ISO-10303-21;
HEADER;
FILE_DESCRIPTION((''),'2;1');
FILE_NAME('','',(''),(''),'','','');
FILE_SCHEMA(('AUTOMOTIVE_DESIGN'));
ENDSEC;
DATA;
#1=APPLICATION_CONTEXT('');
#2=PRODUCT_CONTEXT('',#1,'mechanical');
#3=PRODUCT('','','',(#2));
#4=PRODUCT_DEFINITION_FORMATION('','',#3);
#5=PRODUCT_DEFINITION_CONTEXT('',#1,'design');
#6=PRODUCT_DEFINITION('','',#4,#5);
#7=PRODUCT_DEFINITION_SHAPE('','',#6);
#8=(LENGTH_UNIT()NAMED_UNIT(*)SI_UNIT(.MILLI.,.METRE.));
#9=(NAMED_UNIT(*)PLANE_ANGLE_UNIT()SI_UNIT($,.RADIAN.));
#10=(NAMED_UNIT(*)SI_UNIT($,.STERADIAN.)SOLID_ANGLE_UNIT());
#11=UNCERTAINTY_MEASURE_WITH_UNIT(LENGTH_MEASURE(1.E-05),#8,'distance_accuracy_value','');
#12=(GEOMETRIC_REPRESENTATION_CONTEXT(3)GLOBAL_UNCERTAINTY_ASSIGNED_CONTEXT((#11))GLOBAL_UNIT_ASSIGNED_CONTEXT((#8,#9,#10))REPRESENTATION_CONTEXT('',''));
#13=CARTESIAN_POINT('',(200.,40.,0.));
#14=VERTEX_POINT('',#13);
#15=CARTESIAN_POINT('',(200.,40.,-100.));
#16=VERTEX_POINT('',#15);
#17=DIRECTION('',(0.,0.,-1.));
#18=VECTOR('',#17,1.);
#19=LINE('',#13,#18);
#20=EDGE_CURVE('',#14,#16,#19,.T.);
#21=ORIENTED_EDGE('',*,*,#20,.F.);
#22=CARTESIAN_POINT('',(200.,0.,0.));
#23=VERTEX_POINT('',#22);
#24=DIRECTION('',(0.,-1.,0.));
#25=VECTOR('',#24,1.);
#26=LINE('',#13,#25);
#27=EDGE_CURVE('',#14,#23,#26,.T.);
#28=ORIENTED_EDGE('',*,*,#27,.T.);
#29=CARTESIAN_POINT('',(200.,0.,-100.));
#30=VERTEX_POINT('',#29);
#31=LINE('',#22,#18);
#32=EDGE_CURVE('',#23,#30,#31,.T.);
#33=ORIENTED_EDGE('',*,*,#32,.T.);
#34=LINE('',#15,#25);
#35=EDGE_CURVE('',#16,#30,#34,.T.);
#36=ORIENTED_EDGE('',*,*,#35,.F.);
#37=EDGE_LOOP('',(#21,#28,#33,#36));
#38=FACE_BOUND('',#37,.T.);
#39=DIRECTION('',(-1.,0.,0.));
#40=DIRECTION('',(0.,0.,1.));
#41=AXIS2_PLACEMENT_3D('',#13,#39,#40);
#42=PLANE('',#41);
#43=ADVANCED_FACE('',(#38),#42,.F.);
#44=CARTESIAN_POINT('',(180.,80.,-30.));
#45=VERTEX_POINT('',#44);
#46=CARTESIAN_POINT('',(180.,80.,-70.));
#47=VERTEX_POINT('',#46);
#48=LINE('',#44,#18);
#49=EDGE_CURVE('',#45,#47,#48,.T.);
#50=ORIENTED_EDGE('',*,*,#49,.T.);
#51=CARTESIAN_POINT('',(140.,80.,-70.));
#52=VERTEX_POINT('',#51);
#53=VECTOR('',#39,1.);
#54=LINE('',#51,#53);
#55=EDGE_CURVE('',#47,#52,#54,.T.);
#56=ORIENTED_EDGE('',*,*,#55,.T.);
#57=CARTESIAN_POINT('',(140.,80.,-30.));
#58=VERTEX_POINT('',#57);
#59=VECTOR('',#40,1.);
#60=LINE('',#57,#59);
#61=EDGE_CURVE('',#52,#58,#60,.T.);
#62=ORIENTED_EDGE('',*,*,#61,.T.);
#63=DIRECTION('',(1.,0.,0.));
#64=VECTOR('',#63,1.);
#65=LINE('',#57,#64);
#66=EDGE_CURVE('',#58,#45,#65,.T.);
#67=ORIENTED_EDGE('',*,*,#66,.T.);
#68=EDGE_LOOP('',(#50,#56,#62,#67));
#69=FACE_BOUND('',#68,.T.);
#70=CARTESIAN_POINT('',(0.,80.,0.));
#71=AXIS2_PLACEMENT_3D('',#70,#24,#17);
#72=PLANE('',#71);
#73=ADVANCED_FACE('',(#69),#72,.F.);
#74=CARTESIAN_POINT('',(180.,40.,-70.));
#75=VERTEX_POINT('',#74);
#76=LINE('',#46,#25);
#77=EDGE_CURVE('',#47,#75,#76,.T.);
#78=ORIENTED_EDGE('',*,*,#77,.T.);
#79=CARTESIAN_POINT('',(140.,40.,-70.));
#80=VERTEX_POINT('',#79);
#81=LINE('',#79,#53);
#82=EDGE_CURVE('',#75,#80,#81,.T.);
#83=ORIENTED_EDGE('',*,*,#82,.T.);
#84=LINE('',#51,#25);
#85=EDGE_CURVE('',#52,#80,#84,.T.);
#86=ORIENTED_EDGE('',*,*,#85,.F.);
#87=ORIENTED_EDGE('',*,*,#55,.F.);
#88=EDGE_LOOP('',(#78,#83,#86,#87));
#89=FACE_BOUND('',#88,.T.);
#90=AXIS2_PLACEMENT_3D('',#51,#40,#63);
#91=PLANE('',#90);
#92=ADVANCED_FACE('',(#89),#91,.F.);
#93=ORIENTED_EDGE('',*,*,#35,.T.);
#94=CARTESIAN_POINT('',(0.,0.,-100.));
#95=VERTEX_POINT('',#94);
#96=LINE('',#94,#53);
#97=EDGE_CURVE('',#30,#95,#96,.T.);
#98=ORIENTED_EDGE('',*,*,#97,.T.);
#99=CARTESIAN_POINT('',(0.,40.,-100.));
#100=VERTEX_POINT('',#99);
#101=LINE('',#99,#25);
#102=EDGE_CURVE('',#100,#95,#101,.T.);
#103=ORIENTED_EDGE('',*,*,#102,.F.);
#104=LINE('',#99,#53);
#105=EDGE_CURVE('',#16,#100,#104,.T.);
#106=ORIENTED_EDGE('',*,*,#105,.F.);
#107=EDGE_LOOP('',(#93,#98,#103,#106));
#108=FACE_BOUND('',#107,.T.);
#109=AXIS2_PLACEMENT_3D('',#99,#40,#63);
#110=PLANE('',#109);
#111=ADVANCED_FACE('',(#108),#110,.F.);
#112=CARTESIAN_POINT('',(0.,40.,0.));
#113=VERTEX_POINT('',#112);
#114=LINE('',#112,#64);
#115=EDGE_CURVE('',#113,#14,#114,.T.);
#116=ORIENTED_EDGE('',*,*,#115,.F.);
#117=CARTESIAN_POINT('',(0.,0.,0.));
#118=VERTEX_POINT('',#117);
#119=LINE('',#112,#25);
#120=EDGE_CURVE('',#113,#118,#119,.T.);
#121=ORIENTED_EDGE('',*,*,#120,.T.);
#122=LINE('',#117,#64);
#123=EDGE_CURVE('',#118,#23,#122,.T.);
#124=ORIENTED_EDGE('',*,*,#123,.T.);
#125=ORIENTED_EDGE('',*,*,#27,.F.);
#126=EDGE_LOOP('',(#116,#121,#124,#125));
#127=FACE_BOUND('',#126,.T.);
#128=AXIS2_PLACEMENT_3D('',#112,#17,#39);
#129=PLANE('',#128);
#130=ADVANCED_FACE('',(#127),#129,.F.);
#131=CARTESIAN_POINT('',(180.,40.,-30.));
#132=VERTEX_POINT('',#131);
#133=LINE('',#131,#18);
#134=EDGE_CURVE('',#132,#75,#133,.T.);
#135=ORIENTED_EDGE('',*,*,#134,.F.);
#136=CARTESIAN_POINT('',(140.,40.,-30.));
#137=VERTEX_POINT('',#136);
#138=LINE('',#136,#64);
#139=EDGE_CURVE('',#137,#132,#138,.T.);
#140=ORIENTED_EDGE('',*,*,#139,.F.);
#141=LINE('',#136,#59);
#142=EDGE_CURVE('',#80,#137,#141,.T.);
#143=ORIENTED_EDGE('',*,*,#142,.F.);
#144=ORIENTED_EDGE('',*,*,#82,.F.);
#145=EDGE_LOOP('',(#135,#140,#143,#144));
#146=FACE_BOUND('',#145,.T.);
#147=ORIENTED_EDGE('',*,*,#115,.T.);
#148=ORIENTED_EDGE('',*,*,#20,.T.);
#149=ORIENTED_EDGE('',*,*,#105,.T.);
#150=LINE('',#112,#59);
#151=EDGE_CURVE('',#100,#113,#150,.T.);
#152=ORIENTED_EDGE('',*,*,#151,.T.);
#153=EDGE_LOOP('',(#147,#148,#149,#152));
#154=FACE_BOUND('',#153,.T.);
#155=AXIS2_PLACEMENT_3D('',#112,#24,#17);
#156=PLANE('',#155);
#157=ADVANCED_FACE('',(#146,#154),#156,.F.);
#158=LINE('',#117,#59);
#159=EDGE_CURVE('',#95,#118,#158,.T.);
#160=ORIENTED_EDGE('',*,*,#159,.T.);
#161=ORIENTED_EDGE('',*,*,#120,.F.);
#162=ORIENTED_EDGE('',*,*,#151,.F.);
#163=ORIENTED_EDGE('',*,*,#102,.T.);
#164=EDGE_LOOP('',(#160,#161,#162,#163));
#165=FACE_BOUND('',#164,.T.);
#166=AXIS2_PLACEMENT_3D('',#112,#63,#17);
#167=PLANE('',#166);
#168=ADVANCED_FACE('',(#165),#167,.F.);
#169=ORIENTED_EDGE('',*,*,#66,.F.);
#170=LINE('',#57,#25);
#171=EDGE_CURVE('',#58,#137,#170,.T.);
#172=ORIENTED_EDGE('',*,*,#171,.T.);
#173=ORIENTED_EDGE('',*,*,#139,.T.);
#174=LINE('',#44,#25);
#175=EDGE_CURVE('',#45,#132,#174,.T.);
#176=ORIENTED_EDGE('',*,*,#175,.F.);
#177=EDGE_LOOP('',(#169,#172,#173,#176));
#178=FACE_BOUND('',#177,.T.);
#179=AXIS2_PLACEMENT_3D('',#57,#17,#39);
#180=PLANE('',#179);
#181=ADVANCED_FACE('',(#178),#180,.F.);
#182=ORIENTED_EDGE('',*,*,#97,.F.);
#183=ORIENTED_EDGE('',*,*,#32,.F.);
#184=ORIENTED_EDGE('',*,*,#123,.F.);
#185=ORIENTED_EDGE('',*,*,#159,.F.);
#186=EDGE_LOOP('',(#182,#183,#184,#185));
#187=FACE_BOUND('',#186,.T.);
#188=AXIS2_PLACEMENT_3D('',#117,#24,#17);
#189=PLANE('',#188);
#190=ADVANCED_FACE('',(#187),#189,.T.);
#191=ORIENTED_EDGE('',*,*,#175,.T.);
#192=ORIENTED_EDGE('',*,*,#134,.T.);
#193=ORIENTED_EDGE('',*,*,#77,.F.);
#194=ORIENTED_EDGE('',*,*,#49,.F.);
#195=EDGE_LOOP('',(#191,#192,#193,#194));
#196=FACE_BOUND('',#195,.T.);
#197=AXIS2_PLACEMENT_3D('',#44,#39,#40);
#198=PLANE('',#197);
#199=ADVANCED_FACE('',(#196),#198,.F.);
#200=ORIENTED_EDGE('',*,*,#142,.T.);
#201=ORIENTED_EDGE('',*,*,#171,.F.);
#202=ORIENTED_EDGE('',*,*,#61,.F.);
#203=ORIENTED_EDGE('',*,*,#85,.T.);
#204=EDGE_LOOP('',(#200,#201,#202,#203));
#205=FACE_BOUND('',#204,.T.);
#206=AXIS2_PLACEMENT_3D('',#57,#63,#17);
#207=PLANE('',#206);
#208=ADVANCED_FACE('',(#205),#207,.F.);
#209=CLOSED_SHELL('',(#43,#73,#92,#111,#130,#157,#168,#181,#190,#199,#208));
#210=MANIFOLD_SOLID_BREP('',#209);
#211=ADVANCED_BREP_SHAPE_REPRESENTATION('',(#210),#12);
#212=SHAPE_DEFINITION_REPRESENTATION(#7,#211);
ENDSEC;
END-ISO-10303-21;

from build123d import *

# Parameters (mm, degrees)
SKETCH_1_W      = 200
SKETCH_1_H      = 100
EXTRUDE_1_DEPTH = 40
SKETCH_2_W      = 40
SKETCH_2_H      = 40
EXTRUDE_2_DEPTH = 40


with BuildPart() as part:
    # Эскиз1 → Бобышка-Вытянуть1 (new body)
    with BuildSketch(Plane(origin=(0, 0, 0), x_dir=(1, 0, 0), z_dir=(0, 1, 0))):
        with Locations((100, 50)):
            Rectangle(SKETCH_1_W, SKETCH_1_H)
    extrude(amount=EXTRUDE_1_DEPTH)

    # Эскиз2 → Бобышка-Вытянуть2 (add)
    with BuildSketch(Plane(origin=(0, 40, 0), x_dir=(1, 0, 0), z_dir=(0, 1, 0))):
        with Locations((160, 50)):
            Rectangle(SKETCH_2_W, SKETCH_2_H)
    extrude(amount=EXTRUDE_2_DEPTH)


solid = part.part
